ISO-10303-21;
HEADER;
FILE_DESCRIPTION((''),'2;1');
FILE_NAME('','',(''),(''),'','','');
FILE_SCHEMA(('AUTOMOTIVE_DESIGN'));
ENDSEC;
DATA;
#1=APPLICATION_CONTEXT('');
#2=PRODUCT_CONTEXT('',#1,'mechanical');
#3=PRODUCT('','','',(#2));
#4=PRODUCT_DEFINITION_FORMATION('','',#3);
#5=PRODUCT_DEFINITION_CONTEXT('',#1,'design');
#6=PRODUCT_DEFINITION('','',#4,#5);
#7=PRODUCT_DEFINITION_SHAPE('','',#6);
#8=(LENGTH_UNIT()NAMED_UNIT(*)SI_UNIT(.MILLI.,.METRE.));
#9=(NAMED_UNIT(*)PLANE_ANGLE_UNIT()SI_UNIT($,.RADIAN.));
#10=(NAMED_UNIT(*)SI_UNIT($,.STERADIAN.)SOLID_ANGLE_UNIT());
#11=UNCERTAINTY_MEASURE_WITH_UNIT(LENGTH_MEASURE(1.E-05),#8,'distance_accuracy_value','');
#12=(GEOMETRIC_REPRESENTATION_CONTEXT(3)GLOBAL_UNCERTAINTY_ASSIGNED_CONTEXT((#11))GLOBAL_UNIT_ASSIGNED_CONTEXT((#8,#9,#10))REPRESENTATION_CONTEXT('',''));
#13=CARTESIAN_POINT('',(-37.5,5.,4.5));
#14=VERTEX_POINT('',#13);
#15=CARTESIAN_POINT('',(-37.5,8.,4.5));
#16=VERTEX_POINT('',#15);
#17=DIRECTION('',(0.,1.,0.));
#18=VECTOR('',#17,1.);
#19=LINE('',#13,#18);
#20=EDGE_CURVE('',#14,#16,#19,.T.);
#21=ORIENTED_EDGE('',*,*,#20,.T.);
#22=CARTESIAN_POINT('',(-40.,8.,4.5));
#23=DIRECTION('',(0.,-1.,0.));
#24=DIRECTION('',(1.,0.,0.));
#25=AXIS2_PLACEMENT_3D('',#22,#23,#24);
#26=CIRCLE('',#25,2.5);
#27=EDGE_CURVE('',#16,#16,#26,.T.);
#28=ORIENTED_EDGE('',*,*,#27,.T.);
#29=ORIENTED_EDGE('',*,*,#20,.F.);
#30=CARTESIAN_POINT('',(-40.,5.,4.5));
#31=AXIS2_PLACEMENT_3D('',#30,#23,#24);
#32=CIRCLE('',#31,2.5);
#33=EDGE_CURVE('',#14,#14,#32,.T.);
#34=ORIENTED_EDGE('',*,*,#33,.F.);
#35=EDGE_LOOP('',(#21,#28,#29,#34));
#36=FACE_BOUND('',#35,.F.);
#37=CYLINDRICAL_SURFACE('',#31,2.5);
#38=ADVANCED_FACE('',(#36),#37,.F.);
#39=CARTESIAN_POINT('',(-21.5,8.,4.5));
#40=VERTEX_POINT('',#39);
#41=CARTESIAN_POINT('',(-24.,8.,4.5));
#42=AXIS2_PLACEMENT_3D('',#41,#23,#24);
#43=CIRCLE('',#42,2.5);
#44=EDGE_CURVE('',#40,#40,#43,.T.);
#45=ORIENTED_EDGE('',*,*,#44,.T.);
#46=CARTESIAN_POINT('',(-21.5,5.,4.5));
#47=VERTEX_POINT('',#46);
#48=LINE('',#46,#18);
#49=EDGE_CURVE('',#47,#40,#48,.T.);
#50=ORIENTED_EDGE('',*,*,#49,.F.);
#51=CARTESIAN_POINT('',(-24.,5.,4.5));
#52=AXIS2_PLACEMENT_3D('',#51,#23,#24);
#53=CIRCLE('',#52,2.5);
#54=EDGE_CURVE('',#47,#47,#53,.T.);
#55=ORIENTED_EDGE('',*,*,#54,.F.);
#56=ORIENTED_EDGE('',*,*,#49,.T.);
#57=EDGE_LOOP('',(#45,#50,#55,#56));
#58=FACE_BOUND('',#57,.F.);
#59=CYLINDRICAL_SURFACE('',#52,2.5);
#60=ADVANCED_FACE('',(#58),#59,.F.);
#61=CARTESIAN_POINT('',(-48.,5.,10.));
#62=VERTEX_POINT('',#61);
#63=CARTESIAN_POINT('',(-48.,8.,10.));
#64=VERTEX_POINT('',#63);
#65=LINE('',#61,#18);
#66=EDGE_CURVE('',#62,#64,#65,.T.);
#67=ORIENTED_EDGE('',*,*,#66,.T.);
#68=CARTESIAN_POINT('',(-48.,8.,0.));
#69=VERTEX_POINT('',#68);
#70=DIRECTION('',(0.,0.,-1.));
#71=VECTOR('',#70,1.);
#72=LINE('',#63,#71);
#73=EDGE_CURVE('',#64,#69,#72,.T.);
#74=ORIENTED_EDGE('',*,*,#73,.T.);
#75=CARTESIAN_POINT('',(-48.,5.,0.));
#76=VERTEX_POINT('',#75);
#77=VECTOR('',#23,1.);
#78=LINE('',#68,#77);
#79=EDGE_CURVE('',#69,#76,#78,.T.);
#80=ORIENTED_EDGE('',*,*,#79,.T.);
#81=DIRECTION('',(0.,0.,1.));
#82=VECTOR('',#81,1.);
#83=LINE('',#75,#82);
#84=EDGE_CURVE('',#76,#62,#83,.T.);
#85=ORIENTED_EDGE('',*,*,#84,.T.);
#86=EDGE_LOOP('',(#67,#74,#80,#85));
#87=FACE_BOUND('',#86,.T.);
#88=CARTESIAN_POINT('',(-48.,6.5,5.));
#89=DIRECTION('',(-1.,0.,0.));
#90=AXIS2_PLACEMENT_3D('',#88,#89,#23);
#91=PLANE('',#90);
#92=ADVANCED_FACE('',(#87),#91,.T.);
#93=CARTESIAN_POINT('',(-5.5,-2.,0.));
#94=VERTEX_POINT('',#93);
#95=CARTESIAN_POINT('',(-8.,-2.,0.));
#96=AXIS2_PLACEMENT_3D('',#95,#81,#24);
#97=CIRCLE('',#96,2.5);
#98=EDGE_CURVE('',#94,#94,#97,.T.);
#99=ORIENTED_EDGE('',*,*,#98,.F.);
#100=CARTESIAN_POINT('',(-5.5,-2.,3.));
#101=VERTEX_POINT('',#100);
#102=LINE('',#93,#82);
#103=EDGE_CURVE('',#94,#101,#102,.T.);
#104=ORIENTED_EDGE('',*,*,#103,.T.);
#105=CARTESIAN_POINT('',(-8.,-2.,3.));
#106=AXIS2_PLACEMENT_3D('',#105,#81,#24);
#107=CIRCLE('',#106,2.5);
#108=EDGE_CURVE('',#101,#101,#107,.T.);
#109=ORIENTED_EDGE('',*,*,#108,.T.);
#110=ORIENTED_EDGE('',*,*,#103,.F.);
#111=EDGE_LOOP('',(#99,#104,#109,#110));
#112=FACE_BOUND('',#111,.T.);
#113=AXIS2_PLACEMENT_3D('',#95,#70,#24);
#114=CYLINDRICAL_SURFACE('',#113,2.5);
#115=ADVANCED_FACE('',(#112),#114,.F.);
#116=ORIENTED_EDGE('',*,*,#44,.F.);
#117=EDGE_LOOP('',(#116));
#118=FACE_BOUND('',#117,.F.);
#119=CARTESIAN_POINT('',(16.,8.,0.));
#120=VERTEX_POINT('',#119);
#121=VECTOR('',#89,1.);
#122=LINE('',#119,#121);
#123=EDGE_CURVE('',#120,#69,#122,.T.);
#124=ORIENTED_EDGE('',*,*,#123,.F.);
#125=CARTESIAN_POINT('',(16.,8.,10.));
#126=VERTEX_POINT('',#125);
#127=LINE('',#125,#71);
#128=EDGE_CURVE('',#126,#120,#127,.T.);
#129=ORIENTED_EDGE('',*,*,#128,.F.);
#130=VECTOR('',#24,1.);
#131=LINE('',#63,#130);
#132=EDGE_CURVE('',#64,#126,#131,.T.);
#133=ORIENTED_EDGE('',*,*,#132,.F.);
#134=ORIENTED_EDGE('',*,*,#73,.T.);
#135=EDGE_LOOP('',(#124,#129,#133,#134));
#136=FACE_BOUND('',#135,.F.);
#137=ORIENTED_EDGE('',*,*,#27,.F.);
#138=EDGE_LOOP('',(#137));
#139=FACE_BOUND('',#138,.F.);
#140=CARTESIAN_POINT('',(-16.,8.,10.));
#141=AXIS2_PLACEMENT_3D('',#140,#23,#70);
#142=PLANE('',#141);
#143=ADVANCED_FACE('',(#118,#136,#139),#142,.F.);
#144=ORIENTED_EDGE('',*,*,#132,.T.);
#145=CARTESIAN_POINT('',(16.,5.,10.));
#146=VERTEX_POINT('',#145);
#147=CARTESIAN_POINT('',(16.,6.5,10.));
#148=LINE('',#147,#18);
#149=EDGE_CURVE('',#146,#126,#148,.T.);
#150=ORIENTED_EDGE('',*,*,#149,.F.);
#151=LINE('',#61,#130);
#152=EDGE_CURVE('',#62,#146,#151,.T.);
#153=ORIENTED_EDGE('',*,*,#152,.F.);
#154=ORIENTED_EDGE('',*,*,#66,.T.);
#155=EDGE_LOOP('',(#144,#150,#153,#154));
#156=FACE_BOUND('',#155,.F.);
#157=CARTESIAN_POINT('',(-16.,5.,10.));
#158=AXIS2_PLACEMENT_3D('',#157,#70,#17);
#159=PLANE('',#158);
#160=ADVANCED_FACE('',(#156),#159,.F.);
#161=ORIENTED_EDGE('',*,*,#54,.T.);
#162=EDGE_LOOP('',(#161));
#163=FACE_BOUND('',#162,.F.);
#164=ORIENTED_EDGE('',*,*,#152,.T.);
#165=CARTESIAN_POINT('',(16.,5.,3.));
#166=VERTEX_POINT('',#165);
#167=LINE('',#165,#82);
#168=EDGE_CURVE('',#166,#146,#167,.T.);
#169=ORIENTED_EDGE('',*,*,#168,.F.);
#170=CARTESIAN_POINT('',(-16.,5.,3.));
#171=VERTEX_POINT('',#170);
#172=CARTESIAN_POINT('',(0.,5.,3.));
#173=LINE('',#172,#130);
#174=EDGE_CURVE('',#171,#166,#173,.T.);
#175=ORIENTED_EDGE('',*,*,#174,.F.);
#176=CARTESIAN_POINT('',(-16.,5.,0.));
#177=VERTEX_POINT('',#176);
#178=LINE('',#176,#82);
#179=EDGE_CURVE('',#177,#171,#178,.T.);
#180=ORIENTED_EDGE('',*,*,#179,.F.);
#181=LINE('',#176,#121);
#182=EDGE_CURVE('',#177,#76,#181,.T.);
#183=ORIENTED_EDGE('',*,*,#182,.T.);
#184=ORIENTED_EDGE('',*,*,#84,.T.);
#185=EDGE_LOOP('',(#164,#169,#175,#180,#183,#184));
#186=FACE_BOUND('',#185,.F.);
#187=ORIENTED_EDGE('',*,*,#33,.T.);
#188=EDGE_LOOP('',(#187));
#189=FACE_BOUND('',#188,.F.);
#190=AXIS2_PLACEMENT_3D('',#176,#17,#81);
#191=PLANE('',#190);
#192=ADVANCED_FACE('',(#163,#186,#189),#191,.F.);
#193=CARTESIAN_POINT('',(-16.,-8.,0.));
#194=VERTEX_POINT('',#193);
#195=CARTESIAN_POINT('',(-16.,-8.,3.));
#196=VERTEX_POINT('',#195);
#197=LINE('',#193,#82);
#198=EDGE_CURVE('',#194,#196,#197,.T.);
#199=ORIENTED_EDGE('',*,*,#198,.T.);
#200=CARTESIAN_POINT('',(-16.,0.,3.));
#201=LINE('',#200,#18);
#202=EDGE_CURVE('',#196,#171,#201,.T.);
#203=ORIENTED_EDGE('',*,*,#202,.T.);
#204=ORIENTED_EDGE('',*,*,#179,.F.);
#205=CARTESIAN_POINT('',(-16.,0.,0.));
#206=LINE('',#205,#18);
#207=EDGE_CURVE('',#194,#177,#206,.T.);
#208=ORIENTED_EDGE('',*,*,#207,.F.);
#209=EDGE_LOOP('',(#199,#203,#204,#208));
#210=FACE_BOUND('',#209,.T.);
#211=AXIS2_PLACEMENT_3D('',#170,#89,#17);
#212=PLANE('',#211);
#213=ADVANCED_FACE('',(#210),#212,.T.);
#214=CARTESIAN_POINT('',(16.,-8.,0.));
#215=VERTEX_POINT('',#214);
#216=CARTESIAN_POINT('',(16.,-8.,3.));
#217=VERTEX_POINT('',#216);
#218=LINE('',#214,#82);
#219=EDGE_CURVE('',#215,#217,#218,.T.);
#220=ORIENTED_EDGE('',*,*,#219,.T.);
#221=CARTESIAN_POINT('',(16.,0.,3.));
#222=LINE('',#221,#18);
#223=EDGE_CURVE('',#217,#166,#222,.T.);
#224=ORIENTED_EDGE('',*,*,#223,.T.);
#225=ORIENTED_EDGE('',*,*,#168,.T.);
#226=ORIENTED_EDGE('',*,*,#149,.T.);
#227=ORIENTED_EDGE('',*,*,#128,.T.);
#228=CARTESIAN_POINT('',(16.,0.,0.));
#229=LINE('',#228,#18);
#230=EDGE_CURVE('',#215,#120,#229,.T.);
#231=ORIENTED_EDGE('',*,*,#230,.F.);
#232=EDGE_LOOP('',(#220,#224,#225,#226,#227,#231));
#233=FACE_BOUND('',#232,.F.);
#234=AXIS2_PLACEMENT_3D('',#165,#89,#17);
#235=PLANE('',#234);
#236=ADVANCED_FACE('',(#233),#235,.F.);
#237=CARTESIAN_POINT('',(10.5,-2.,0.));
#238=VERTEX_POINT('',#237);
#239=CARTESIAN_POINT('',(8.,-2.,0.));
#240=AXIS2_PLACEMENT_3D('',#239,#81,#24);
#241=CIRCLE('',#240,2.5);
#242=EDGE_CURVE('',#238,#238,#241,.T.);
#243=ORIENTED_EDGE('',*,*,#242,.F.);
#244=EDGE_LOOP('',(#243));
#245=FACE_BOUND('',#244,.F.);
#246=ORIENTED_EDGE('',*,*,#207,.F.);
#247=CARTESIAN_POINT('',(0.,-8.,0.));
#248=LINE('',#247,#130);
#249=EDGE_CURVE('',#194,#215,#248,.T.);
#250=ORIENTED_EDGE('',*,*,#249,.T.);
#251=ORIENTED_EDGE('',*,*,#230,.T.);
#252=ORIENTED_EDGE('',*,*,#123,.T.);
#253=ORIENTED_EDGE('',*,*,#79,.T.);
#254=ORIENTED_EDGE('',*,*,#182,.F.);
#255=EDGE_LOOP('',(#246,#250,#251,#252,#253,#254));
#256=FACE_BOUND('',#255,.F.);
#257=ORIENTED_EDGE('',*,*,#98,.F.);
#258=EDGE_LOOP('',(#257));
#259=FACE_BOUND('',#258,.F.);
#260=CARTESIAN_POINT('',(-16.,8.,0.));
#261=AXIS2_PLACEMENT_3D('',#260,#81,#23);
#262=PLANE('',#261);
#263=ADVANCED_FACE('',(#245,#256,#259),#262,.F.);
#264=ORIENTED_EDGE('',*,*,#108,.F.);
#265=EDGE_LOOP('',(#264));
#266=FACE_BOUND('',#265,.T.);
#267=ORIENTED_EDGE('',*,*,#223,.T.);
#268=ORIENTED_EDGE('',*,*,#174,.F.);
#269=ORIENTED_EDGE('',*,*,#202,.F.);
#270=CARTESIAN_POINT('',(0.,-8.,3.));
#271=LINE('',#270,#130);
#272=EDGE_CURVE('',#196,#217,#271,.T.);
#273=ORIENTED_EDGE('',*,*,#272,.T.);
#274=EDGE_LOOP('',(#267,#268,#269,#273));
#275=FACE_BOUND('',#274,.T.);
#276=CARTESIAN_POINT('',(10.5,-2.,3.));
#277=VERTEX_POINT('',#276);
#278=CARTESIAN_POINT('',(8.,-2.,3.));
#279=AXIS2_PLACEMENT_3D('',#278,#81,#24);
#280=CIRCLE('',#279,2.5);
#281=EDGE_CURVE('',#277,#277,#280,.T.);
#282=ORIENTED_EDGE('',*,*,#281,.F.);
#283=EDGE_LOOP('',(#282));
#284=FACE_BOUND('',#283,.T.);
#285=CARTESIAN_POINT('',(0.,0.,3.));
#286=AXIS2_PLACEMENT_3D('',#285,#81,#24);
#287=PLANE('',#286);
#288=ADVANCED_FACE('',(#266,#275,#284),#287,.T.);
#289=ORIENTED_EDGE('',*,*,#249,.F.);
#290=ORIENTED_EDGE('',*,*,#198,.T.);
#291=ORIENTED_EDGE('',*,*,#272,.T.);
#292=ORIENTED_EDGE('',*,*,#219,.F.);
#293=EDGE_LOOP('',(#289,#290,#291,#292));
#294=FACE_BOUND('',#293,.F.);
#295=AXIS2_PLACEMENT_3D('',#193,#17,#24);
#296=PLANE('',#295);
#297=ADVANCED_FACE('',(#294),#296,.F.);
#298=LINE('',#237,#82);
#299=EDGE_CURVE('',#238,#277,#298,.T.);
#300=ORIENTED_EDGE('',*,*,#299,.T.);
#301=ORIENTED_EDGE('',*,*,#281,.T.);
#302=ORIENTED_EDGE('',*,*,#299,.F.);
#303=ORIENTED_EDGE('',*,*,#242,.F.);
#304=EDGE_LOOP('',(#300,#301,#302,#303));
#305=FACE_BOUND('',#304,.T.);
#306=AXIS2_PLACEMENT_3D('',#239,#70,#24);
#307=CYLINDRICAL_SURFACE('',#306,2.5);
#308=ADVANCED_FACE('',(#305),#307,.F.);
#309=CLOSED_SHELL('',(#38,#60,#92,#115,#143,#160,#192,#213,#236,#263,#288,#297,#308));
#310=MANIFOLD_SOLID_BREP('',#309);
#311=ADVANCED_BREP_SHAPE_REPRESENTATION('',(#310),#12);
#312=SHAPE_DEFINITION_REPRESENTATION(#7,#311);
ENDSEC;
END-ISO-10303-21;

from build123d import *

# Parameters (mm, degrees)
F0_W     = 32
F0_H     = 16
F0_R     = 2.5
F1_DEPTH = 3
F2_W     = 32
F2_H     = 3
F3_DEPTH = 7
F5_DEPTH = 32
F6_R     = 2.5
F7_DEPTH = 3


with BuildPart() as f1:
    # F0 (on Top) → F1 (new body)
    with BuildSketch(Plane.XY):
        Rectangle(F0_W, F0_H)
        with Locations((-8, -2)):
            Circle(F0_R, mode=Mode.SUBTRACT)
        with Locations((8, -2)):
            Circle(F0_R, mode=Mode.SUBTRACT)
    extrude(amount=F1_DEPTH)

    # F2 (on face) → F3 (join)
    with BuildSketch(Plane.XY.offset(3)):
        with Locations((0, 6.5)):
            Rectangle(F2_W, F2_H)
    extrude(amount=F3_DEPTH)

    # F4 (on face) → F5 (join)
    with BuildSketch(Plane(origin=(-16, 0, 0), x_dir=(0, -1, 0), z_dir=(-1, 0, 0))):
        Polygon((-8, 10), (-8, 0), (-5, 0), (-5, 3), (-5, 10), align=None)
    extrude(amount=F5_DEPTH)

    # F6 (on face) → F7 (cut)
    with BuildSketch(Plane.XZ.offset(-5)):
        with Locations((-40, 4.5)):
            Circle(F6_R)
        with Locations((-24, 4.5)):
            Circle(F6_R)
    extrude(amount=-F7_DEPTH, mode=Mode.SUBTRACT)


solid = f1.part
